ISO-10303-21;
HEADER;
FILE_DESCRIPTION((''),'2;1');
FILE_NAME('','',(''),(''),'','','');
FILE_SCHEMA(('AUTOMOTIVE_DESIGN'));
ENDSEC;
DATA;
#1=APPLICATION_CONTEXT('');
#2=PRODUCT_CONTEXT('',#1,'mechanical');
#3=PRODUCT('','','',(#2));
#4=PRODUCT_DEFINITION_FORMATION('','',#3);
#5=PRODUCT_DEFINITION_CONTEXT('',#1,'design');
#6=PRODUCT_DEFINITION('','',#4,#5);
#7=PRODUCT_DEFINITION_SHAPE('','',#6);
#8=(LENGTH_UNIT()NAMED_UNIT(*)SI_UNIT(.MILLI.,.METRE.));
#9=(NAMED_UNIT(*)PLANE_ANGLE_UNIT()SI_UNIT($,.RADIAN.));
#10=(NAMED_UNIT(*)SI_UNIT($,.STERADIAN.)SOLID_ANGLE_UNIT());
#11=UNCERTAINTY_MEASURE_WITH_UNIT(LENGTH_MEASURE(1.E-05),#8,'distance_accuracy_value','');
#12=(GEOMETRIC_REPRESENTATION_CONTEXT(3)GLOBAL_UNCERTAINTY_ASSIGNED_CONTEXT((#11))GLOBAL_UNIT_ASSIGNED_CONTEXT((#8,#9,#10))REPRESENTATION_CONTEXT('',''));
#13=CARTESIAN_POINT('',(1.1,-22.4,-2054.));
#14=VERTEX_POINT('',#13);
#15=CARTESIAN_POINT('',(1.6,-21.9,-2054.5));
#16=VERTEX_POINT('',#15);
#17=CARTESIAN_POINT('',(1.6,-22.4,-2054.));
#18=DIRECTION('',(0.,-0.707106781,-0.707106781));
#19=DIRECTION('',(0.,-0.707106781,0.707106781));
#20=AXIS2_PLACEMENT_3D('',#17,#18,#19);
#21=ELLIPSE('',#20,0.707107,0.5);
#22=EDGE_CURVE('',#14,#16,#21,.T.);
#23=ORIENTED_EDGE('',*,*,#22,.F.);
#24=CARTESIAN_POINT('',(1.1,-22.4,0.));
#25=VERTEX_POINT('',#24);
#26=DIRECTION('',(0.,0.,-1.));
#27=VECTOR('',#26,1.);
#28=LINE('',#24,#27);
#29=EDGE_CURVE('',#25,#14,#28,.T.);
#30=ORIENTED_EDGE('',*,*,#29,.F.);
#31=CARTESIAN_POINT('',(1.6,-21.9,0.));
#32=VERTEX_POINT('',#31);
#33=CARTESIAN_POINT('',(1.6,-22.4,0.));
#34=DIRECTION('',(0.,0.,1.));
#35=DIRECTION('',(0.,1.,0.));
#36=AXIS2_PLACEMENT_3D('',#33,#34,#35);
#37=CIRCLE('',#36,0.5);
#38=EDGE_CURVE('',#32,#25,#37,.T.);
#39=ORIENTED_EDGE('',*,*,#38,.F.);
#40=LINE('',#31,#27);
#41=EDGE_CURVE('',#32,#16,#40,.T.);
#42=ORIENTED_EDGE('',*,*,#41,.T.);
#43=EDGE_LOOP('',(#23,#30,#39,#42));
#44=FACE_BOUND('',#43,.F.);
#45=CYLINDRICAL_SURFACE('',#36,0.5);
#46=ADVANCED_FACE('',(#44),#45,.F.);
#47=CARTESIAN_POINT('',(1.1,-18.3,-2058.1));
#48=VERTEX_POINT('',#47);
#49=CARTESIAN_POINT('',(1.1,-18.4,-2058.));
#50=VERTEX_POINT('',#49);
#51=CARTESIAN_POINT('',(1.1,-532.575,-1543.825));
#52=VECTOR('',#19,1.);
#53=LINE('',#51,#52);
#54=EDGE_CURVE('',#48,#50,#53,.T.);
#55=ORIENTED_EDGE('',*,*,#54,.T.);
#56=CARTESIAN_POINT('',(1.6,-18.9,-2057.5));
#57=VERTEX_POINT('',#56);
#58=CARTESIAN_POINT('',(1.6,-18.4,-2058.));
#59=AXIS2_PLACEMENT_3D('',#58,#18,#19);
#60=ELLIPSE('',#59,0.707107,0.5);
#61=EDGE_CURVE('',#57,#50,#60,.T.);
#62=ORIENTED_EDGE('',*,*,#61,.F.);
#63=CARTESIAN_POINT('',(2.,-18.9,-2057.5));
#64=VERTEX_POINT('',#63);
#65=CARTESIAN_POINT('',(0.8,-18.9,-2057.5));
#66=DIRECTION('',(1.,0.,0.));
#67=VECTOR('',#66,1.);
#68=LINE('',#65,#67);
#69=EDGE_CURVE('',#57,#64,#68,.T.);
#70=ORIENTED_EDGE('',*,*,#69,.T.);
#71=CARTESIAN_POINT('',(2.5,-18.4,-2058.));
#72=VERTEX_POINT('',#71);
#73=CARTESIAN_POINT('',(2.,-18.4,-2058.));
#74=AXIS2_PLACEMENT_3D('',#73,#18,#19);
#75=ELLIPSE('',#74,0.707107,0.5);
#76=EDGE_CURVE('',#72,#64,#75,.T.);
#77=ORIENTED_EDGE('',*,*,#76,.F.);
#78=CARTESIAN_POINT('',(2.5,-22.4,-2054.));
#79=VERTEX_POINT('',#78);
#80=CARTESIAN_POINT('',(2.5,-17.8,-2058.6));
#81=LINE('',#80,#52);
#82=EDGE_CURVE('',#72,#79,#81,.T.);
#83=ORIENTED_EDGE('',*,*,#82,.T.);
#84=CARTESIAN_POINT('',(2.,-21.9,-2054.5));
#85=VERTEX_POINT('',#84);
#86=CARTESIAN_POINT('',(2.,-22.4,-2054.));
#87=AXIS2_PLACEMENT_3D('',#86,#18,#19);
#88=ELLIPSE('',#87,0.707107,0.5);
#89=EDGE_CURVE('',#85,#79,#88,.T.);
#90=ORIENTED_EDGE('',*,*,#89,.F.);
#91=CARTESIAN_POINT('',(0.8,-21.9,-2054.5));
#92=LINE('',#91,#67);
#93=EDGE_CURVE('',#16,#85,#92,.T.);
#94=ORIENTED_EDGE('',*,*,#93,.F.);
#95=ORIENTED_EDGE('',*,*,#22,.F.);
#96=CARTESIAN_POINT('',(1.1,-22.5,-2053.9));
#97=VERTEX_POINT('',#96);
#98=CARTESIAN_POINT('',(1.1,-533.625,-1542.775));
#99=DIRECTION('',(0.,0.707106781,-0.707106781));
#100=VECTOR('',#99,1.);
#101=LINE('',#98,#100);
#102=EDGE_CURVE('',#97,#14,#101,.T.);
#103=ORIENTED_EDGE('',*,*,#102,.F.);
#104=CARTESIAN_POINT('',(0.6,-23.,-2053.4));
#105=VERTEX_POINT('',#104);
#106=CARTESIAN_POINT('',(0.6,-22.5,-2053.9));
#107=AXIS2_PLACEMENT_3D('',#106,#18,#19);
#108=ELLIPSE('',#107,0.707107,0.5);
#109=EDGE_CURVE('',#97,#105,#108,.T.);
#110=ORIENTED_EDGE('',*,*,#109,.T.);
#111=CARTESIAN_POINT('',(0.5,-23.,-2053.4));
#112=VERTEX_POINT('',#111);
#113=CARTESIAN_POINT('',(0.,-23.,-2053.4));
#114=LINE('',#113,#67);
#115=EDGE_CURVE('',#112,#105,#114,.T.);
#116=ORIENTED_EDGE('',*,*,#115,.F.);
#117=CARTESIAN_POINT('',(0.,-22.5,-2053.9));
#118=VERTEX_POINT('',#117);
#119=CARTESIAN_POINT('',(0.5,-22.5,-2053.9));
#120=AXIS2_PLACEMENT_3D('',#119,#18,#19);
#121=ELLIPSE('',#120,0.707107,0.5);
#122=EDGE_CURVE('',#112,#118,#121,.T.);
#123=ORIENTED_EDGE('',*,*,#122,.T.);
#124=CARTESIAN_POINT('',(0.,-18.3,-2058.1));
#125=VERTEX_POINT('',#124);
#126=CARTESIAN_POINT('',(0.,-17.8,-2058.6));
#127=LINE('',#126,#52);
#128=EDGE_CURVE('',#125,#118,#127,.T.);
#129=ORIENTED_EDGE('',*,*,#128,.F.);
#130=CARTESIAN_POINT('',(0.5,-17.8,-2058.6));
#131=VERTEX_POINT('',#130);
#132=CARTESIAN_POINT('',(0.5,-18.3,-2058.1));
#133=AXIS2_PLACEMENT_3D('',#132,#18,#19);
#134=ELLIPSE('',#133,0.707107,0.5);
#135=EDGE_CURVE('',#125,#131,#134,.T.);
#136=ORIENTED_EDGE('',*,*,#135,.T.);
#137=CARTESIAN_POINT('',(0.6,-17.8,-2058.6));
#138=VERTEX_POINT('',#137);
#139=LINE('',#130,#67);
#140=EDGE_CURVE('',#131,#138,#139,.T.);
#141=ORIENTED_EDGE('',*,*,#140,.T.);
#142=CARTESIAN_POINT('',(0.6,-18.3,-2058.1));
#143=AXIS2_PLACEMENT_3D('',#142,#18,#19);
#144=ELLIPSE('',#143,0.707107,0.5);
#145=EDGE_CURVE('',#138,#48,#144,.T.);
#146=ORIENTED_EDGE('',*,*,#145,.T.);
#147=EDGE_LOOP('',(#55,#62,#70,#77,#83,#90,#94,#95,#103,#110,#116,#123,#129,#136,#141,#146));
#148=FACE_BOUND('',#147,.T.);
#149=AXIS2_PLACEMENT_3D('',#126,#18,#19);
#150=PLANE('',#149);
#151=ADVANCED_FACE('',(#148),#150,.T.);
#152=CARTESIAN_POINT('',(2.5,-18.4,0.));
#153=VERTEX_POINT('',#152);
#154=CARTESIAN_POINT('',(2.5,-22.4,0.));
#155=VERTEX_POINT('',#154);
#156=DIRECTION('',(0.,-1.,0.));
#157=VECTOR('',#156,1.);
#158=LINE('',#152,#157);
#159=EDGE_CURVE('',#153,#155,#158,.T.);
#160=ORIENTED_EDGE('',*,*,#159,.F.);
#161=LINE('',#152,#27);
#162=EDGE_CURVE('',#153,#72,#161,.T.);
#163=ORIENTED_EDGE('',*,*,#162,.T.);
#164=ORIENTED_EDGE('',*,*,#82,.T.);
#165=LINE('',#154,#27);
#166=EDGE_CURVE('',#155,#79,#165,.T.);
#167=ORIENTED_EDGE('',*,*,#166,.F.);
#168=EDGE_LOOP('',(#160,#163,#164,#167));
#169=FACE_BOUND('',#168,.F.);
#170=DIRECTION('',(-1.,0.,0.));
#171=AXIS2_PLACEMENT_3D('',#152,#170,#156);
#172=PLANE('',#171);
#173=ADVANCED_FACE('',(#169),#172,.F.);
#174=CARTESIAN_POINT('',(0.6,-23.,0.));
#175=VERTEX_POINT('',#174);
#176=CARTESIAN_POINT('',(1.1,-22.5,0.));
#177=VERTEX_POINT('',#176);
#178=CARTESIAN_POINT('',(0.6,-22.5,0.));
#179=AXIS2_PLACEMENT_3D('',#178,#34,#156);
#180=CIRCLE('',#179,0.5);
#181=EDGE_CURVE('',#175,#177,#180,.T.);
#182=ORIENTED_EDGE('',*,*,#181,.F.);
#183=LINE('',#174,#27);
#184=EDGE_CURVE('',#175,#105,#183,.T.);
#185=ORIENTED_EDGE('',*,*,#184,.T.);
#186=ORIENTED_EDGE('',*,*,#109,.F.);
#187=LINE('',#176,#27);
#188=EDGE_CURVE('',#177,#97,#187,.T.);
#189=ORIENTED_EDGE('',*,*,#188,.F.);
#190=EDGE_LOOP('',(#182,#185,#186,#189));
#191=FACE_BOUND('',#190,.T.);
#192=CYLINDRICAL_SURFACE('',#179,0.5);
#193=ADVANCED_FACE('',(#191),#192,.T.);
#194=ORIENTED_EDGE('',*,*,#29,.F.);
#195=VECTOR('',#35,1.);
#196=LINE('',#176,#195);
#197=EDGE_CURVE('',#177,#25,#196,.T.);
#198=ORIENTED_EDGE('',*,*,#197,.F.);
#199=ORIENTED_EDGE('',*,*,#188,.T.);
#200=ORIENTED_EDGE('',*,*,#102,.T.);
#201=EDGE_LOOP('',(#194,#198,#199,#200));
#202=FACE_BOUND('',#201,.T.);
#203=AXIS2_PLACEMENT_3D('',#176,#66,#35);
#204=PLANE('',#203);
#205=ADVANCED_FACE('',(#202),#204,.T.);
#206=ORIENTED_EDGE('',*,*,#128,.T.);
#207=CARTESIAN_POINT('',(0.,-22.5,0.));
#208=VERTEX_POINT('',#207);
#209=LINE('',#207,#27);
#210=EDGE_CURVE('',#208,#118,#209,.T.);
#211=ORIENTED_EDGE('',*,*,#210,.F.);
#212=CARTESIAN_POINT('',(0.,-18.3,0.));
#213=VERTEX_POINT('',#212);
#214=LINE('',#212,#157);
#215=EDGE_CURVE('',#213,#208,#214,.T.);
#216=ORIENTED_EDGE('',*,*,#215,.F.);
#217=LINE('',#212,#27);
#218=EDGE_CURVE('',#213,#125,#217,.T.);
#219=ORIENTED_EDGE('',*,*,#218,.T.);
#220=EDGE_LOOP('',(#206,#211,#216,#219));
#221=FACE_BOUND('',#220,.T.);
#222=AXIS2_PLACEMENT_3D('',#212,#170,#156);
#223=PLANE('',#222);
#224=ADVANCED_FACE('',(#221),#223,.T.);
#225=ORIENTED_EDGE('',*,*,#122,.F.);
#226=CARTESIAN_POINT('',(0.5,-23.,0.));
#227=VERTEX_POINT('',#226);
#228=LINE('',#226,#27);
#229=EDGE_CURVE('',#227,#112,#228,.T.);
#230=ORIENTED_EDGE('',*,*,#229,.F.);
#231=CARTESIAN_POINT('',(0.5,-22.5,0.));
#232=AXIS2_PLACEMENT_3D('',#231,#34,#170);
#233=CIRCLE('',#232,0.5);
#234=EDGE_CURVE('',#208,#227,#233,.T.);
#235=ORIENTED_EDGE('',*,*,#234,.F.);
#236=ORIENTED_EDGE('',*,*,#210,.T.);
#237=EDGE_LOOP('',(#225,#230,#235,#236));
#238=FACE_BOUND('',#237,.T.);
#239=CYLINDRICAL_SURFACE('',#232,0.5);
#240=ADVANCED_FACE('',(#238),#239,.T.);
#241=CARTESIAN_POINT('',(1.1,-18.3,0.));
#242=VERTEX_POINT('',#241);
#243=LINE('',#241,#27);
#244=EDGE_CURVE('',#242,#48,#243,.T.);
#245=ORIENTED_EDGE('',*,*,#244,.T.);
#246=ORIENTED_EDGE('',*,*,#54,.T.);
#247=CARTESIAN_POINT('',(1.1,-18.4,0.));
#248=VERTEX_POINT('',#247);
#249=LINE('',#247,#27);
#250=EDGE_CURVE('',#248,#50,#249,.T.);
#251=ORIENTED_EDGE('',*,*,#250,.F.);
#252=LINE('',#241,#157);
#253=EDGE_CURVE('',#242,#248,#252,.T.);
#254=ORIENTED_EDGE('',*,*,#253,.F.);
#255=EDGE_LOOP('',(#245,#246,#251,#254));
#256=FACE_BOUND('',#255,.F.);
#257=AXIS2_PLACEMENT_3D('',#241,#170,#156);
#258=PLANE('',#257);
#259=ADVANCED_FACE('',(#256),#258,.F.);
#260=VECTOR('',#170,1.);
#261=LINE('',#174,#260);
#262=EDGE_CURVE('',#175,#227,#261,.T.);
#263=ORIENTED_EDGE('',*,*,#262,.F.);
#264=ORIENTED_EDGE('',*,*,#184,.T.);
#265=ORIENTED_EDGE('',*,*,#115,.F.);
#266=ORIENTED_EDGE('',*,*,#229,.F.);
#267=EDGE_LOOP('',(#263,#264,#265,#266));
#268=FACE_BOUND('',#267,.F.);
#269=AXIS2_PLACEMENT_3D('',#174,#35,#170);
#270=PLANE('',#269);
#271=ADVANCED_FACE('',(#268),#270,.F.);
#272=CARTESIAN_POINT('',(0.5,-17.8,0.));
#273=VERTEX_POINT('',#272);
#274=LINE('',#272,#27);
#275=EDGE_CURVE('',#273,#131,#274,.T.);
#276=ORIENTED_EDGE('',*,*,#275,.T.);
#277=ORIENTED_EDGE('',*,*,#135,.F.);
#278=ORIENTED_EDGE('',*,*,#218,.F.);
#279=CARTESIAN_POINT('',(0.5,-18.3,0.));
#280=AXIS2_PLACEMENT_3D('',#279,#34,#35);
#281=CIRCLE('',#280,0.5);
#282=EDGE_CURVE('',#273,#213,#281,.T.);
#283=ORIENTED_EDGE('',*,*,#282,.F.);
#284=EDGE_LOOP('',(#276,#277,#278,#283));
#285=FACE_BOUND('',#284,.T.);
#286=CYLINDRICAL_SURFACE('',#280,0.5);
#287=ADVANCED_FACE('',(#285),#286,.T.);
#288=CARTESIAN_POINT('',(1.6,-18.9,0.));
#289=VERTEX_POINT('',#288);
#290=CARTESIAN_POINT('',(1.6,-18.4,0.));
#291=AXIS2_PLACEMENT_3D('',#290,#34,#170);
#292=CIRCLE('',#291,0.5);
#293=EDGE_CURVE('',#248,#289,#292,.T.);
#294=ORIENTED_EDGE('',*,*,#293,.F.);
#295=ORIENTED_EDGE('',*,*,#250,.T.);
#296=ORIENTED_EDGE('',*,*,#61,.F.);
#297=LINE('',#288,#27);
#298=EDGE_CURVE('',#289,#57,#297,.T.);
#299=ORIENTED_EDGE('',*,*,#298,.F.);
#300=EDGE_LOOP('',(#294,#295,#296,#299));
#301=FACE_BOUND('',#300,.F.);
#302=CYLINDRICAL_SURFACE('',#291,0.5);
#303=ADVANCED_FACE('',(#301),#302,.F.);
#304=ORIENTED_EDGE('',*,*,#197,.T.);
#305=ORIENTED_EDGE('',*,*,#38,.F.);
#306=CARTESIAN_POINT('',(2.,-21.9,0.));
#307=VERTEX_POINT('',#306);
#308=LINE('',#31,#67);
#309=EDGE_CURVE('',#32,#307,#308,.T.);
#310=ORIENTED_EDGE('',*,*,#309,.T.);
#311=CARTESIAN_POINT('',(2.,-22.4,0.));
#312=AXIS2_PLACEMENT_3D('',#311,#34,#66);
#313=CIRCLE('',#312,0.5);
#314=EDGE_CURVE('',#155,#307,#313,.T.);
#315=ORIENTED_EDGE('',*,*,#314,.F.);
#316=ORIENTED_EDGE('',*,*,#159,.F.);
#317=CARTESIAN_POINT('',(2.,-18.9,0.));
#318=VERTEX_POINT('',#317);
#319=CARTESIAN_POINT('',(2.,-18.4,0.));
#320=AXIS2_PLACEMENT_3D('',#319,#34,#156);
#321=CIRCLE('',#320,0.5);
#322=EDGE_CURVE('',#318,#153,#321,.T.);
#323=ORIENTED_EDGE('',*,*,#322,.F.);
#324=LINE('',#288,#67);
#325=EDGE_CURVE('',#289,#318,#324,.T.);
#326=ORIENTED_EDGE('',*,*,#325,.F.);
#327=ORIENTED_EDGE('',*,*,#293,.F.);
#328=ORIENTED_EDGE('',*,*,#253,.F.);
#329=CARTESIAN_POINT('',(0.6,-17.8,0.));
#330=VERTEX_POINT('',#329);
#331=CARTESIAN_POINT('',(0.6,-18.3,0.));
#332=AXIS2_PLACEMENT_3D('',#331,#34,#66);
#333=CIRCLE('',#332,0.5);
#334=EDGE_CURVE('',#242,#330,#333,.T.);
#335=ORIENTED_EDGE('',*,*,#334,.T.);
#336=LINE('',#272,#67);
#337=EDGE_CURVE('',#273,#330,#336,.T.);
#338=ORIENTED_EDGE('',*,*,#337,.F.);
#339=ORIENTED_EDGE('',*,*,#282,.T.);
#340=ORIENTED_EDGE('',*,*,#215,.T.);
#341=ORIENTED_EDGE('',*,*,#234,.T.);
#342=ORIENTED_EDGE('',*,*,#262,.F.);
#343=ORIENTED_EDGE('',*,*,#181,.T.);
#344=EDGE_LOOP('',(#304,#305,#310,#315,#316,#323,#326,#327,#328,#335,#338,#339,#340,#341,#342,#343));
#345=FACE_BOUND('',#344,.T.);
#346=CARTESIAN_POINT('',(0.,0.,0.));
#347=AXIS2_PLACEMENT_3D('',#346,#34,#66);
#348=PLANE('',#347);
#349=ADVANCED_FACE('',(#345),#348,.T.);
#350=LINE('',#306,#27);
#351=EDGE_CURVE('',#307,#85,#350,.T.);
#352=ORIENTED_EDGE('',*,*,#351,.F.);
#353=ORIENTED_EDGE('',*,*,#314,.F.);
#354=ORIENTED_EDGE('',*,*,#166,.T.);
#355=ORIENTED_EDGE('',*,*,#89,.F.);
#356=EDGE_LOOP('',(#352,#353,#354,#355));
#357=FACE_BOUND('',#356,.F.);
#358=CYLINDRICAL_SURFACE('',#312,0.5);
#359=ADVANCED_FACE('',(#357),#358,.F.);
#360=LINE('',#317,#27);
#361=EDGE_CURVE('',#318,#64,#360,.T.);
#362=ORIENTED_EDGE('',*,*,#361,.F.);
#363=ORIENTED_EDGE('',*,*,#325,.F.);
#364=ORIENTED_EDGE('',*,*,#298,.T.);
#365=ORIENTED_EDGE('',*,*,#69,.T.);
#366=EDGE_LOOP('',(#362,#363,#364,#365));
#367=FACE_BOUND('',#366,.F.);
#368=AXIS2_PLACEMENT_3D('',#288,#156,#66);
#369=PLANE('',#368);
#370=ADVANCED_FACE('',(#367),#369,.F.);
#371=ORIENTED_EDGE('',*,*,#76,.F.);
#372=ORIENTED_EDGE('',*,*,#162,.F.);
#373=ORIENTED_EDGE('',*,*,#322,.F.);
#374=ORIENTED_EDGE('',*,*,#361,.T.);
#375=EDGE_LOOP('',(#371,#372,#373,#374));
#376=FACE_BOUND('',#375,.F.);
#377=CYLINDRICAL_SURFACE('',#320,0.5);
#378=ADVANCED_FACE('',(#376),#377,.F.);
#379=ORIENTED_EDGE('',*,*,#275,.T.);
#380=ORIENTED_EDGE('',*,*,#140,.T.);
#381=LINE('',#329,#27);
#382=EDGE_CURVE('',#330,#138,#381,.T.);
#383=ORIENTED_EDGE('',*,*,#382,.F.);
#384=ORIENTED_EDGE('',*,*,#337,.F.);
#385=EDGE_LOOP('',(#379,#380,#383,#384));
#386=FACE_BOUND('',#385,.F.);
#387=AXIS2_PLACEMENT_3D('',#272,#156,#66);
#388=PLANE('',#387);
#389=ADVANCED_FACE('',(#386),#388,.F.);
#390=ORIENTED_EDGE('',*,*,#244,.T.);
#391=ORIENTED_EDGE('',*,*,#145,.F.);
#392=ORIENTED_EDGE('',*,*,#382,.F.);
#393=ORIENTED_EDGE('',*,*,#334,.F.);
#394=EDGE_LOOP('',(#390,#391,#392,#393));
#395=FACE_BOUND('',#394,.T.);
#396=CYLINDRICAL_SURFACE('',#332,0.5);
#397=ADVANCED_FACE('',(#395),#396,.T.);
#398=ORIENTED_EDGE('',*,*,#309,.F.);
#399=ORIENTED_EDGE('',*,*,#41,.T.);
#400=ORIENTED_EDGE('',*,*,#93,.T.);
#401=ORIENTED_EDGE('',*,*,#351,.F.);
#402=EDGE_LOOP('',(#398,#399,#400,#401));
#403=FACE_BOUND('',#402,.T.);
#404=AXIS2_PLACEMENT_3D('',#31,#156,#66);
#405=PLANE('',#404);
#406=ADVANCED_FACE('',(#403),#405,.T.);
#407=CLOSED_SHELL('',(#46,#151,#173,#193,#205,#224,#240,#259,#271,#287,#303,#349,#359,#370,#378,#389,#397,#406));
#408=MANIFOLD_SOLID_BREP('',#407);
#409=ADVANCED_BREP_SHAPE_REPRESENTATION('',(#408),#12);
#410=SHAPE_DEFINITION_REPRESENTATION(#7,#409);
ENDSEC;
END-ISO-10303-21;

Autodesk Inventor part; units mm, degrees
ref_plane "YZ Plane" through (0, 0, 0) normal (1, 0, 0) x (0, 1, 0)
ref_plane "XZ Plane" through (0, 0, 0) normal (0, 1, 0) x (-1, 0, 0)
ref_plane "XY Plane" through (0, 0, 0) normal (0, 0, 1) x (1, 0, 0)
sketch "Boceto1" plane through (0, 0, 0) normal (0, 0, 1) x (1, 0, 0)
  line L0 (0.6, -23) -> (0.5, -23)
  line L1 (0.5, -17.8) -> (0.6, -17.8)
  line L2 (1.1, -18.3) -> (1.1, -18.4)
  line L3 (1.6, -18.9) -> (2, -18.9)
  line L4 (1.1, -22.5) -> (1.1, -22.4)
  line L5 (1.6, -21.9) -> (2, -21.9)
  line L6 (0, -18.3) -> (0, -22.5)
  arc A0 (1.1, -18.4) -> (1.6, -18.9) centre (1.6, -18.4) ccw
  arc A1 (1.1, -18.3) -> (0.6, -17.8) centre (0.6, -18.3) ccw
  arc A2 (2, -18.9) -> (2.5, -18.4) centre (2, -18.4) ccw
  arc A3 (2.5, -22.4) -> (2, -21.9) centre (2, -22.4) ccw
  arc A4 (1.6, -21.9) -> (1.1, -22.4) centre (1.6, -22.4) ccw
  arc A5 (0.6, -23) -> (1.1, -22.5) centre (0.6, -22.5) ccw
  arc A6 (0, -22.5) -> (0.5, -23) centre (0.5, -22.5) ccw
  arc A7 (0.5, -17.8) -> (0, -18.3) centre (0.5, -18.3) ccw
  line L7 (2.5, -18.4) -> (2.5, -22.4)
  point P0 (0, -23)
  point P1 (0, -17.8)
  point P2 (1.1, -21.9)
  point P3 (0, -20.4)
  dimension "d112" = 5.2
  dimension "d115" = 2.6
  dimension "d116" = 2.6
  dimension "d117" = 1.5
  dimension "d118" = 1.5
  dimension "d119" = 3
  dimension "d125" = 1.1
  dimension "d132" = 0.5
  dimension "d133" = 0.5
  dimension "d141" = 0.5
extrude "Extrusión1" add sketch "Boceto1" against normal blind 2058.6
sketch "Boceto2" plane through (0, -22.9, -0.6) normal (-1, 0, 0) x (0, 0, 1)
  line L0 (-2058, -0.1) -> (-2058, 5.1)
  line L1 (0.6, -0.1) -> (-2058, -0.1) projected
  line L2 (-2058, -0.1) -> (-2052.8, -0.1)
  line L3 (-2058, 5.1) -> (-2052.8, -0.1)
  dimension "d147" = 45
extrude "Extrusión2" cut sketch "Boceto2" against normal up to surface (2.5 mm away)
properties part number "SP40-02 JUNTA EXT 2058" material "Caucho, negro"
